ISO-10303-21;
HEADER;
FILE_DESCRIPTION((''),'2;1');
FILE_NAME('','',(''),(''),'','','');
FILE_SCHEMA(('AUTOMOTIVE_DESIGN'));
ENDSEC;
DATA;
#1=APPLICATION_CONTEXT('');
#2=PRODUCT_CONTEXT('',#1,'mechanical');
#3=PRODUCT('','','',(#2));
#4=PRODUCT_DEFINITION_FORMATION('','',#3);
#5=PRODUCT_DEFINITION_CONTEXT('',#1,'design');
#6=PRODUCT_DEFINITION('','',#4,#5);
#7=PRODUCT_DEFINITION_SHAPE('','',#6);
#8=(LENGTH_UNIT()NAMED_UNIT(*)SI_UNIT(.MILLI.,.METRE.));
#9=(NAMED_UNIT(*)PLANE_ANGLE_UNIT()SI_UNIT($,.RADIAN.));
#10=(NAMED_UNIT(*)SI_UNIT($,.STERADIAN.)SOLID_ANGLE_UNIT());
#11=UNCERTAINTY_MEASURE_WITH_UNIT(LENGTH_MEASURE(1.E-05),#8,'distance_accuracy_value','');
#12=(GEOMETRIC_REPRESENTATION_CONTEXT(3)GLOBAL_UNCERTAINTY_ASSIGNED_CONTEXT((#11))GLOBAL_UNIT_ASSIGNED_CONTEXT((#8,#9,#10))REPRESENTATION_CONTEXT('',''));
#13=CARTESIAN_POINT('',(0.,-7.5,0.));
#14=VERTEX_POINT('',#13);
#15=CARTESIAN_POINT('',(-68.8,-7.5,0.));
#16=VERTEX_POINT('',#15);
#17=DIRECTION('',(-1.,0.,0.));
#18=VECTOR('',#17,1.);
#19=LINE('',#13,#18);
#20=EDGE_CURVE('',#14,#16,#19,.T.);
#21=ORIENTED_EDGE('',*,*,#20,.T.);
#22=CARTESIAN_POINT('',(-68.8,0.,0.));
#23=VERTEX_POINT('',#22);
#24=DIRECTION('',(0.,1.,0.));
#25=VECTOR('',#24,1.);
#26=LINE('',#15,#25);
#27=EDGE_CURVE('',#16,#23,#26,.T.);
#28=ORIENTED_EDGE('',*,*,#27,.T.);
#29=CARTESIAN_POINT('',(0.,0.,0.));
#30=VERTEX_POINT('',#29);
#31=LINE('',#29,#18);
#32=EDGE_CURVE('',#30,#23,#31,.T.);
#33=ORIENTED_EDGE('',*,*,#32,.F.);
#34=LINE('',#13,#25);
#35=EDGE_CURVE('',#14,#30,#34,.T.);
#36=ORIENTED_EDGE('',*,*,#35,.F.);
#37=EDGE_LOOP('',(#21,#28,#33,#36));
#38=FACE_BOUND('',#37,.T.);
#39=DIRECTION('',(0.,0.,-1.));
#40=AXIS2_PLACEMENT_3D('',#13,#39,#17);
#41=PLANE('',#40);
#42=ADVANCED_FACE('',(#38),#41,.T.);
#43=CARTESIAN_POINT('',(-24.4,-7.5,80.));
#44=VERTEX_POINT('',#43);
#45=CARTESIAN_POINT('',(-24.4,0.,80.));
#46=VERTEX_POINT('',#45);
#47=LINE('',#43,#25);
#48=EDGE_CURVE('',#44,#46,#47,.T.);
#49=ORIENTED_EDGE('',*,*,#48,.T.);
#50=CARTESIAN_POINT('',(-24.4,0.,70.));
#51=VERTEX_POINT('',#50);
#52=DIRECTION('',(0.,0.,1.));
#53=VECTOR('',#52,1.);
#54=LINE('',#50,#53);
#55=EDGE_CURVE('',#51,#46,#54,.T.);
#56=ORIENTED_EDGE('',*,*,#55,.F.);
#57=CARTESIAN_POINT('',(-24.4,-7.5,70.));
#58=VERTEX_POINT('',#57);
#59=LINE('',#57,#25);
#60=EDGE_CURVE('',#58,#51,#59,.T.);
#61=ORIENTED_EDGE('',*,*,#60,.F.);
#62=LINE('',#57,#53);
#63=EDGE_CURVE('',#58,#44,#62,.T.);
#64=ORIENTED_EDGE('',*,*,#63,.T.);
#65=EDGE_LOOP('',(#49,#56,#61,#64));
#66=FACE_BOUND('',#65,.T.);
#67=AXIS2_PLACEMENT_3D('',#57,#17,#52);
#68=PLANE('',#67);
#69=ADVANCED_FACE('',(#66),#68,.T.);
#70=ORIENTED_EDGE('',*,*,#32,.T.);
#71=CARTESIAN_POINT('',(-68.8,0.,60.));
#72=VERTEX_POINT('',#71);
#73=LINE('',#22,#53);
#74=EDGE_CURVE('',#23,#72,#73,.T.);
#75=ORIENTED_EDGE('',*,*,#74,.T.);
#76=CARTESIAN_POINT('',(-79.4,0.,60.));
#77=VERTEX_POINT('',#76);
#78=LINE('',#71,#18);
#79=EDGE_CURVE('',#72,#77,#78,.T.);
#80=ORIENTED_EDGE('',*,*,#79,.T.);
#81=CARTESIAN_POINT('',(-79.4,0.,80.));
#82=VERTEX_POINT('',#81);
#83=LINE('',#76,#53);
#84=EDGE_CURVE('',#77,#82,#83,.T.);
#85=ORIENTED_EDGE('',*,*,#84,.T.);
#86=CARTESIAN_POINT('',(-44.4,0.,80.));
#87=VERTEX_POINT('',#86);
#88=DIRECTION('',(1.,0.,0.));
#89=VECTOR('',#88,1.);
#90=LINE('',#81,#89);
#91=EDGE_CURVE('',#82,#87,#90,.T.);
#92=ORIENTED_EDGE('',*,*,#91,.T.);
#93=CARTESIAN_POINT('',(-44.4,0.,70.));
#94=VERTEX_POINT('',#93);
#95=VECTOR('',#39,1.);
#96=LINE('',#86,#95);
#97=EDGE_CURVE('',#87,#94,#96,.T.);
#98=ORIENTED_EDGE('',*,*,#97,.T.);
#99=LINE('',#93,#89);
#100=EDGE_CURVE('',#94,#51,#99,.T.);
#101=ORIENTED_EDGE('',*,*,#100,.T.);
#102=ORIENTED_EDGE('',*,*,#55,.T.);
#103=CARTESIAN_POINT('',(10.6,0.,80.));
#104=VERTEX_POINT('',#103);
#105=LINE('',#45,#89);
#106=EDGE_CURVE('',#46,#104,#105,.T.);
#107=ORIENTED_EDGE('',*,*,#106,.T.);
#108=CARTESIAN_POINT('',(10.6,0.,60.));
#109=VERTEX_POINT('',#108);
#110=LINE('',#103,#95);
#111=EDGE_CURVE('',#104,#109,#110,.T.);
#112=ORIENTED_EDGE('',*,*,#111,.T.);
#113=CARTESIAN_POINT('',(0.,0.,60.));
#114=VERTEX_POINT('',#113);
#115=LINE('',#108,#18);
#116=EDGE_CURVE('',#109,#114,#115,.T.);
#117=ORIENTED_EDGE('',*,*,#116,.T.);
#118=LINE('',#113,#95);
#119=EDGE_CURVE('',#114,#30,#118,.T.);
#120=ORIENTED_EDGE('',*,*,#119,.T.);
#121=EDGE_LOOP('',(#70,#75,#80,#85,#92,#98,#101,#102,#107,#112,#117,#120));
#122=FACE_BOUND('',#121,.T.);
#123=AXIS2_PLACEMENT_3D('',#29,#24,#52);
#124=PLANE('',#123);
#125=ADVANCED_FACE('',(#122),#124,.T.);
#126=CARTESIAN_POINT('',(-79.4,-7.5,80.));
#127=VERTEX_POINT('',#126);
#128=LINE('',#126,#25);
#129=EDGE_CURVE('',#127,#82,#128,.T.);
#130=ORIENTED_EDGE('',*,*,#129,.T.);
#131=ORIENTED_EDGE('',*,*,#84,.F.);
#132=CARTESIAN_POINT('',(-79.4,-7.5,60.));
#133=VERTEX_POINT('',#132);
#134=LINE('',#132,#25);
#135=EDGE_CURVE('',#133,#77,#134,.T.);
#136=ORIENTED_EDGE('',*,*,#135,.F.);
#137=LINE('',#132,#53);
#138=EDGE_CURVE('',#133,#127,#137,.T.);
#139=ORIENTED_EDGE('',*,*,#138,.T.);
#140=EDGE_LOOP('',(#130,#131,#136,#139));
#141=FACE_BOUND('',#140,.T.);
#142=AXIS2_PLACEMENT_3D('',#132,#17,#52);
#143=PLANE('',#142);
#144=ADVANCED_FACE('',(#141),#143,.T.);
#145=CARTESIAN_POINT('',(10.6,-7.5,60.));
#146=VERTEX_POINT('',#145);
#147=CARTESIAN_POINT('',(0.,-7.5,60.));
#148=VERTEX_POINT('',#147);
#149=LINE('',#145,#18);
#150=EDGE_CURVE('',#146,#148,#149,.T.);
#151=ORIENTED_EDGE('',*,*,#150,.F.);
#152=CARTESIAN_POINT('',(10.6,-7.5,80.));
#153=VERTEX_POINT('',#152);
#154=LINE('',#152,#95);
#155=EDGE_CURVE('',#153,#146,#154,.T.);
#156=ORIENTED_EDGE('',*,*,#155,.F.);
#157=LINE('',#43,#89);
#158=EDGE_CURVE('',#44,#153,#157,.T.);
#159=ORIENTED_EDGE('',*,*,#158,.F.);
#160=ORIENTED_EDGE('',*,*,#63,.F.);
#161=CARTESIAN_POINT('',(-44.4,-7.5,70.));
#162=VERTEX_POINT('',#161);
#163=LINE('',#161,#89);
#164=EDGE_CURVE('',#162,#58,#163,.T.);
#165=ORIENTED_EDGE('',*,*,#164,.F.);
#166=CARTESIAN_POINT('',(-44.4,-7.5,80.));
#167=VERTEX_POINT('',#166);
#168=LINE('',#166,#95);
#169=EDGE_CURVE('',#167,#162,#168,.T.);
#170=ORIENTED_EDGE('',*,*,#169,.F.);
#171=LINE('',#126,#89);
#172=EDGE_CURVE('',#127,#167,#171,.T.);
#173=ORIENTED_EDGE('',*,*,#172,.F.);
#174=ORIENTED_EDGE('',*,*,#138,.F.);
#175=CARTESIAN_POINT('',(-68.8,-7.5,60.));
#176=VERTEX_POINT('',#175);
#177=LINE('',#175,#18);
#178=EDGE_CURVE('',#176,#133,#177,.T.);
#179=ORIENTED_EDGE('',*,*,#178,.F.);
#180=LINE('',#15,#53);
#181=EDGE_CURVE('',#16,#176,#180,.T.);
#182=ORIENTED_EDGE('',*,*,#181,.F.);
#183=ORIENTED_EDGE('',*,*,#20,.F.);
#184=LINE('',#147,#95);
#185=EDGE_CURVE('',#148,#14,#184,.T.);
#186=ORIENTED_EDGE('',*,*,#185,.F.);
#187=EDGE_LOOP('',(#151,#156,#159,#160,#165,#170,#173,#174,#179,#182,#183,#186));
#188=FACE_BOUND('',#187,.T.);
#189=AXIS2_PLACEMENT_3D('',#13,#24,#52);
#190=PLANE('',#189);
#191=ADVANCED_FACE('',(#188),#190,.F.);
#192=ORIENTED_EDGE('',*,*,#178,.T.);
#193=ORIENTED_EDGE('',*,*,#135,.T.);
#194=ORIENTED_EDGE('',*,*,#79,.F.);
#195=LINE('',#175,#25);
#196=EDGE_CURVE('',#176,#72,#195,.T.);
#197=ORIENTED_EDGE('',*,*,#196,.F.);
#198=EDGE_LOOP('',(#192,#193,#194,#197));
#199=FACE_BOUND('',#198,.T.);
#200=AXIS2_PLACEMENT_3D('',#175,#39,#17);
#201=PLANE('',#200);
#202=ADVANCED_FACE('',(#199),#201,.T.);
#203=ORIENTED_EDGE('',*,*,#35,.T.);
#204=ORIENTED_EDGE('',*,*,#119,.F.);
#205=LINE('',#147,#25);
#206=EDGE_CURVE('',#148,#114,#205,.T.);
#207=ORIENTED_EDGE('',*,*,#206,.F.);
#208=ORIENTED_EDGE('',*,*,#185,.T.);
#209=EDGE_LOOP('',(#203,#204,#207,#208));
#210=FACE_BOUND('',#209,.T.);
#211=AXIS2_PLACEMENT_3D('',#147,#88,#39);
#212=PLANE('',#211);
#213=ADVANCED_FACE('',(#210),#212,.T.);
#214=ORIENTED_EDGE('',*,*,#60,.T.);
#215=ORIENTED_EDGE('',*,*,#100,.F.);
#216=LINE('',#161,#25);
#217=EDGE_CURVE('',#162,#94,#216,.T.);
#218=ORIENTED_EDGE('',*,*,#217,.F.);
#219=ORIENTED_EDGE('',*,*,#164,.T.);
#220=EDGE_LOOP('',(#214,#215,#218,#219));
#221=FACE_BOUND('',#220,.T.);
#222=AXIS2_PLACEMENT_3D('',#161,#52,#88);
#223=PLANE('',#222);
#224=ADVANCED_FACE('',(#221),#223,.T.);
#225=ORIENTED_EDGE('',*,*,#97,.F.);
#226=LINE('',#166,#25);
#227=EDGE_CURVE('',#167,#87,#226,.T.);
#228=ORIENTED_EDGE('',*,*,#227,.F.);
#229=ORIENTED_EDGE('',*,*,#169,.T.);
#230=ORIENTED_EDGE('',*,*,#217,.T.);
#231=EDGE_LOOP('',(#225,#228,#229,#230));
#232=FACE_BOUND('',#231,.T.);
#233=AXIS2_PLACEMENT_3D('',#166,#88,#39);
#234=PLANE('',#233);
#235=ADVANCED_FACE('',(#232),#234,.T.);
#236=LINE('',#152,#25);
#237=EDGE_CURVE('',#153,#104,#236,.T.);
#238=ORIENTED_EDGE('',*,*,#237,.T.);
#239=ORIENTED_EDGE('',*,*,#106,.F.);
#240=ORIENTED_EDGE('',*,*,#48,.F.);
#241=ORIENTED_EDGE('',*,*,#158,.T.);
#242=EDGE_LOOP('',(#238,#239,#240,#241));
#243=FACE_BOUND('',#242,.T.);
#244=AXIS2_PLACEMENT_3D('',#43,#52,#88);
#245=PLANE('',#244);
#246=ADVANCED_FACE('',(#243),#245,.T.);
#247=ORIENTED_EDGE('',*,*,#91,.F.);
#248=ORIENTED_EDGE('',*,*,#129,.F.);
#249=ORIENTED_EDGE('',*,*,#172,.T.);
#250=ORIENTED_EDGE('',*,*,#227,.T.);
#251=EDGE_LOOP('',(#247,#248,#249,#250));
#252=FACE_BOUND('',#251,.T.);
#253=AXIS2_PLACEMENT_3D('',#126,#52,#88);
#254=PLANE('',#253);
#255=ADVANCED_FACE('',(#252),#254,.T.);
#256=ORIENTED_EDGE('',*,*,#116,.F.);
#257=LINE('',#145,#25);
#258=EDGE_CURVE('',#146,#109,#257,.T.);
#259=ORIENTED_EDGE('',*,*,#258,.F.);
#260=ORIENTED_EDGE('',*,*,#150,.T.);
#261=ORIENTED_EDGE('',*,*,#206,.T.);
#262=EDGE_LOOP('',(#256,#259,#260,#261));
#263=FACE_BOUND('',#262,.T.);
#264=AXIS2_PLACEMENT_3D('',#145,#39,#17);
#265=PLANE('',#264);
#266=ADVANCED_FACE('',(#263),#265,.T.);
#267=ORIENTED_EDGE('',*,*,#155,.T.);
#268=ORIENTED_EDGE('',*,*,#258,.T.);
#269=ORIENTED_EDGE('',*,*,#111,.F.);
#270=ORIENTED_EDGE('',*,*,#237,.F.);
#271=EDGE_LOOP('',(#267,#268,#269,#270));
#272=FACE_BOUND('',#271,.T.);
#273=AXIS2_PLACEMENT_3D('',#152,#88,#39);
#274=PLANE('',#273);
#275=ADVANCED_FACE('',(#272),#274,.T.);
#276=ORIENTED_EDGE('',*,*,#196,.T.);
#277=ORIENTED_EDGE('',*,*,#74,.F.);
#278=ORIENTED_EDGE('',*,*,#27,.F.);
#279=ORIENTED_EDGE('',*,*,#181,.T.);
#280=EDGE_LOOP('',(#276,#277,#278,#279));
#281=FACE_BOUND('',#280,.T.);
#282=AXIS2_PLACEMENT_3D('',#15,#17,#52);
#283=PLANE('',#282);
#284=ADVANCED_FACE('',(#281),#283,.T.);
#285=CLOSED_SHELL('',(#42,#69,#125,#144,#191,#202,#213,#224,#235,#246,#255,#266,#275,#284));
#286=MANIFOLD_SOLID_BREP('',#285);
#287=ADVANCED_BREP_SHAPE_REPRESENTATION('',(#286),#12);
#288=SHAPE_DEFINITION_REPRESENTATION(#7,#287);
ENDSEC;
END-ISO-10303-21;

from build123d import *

# Parameters (mm, degrees)
BOSS_EXTRUDE1_DEPTH = 7.5


with BuildPart() as part:
    # Sketch1 → Boss-Extrude1 (new body)
    with BuildSketch(Plane(origin=(0, 0, 0), x_dir=(1, 0, 0), z_dir=(0, 1, 0))):
        Polygon((0, 0), (-68.8, 0), (-68.8, -60), (-79.4, -60), (-79.4, -80), (-44.4, -80), (-44.4, -70), (-24.4, -70), (-24.4, -80), (10.6, -80), (10.6, -60), (0, -60), align=None)
    extrude(amount=-BOSS_EXTRUDE1_DEPTH)


solid = part.part
